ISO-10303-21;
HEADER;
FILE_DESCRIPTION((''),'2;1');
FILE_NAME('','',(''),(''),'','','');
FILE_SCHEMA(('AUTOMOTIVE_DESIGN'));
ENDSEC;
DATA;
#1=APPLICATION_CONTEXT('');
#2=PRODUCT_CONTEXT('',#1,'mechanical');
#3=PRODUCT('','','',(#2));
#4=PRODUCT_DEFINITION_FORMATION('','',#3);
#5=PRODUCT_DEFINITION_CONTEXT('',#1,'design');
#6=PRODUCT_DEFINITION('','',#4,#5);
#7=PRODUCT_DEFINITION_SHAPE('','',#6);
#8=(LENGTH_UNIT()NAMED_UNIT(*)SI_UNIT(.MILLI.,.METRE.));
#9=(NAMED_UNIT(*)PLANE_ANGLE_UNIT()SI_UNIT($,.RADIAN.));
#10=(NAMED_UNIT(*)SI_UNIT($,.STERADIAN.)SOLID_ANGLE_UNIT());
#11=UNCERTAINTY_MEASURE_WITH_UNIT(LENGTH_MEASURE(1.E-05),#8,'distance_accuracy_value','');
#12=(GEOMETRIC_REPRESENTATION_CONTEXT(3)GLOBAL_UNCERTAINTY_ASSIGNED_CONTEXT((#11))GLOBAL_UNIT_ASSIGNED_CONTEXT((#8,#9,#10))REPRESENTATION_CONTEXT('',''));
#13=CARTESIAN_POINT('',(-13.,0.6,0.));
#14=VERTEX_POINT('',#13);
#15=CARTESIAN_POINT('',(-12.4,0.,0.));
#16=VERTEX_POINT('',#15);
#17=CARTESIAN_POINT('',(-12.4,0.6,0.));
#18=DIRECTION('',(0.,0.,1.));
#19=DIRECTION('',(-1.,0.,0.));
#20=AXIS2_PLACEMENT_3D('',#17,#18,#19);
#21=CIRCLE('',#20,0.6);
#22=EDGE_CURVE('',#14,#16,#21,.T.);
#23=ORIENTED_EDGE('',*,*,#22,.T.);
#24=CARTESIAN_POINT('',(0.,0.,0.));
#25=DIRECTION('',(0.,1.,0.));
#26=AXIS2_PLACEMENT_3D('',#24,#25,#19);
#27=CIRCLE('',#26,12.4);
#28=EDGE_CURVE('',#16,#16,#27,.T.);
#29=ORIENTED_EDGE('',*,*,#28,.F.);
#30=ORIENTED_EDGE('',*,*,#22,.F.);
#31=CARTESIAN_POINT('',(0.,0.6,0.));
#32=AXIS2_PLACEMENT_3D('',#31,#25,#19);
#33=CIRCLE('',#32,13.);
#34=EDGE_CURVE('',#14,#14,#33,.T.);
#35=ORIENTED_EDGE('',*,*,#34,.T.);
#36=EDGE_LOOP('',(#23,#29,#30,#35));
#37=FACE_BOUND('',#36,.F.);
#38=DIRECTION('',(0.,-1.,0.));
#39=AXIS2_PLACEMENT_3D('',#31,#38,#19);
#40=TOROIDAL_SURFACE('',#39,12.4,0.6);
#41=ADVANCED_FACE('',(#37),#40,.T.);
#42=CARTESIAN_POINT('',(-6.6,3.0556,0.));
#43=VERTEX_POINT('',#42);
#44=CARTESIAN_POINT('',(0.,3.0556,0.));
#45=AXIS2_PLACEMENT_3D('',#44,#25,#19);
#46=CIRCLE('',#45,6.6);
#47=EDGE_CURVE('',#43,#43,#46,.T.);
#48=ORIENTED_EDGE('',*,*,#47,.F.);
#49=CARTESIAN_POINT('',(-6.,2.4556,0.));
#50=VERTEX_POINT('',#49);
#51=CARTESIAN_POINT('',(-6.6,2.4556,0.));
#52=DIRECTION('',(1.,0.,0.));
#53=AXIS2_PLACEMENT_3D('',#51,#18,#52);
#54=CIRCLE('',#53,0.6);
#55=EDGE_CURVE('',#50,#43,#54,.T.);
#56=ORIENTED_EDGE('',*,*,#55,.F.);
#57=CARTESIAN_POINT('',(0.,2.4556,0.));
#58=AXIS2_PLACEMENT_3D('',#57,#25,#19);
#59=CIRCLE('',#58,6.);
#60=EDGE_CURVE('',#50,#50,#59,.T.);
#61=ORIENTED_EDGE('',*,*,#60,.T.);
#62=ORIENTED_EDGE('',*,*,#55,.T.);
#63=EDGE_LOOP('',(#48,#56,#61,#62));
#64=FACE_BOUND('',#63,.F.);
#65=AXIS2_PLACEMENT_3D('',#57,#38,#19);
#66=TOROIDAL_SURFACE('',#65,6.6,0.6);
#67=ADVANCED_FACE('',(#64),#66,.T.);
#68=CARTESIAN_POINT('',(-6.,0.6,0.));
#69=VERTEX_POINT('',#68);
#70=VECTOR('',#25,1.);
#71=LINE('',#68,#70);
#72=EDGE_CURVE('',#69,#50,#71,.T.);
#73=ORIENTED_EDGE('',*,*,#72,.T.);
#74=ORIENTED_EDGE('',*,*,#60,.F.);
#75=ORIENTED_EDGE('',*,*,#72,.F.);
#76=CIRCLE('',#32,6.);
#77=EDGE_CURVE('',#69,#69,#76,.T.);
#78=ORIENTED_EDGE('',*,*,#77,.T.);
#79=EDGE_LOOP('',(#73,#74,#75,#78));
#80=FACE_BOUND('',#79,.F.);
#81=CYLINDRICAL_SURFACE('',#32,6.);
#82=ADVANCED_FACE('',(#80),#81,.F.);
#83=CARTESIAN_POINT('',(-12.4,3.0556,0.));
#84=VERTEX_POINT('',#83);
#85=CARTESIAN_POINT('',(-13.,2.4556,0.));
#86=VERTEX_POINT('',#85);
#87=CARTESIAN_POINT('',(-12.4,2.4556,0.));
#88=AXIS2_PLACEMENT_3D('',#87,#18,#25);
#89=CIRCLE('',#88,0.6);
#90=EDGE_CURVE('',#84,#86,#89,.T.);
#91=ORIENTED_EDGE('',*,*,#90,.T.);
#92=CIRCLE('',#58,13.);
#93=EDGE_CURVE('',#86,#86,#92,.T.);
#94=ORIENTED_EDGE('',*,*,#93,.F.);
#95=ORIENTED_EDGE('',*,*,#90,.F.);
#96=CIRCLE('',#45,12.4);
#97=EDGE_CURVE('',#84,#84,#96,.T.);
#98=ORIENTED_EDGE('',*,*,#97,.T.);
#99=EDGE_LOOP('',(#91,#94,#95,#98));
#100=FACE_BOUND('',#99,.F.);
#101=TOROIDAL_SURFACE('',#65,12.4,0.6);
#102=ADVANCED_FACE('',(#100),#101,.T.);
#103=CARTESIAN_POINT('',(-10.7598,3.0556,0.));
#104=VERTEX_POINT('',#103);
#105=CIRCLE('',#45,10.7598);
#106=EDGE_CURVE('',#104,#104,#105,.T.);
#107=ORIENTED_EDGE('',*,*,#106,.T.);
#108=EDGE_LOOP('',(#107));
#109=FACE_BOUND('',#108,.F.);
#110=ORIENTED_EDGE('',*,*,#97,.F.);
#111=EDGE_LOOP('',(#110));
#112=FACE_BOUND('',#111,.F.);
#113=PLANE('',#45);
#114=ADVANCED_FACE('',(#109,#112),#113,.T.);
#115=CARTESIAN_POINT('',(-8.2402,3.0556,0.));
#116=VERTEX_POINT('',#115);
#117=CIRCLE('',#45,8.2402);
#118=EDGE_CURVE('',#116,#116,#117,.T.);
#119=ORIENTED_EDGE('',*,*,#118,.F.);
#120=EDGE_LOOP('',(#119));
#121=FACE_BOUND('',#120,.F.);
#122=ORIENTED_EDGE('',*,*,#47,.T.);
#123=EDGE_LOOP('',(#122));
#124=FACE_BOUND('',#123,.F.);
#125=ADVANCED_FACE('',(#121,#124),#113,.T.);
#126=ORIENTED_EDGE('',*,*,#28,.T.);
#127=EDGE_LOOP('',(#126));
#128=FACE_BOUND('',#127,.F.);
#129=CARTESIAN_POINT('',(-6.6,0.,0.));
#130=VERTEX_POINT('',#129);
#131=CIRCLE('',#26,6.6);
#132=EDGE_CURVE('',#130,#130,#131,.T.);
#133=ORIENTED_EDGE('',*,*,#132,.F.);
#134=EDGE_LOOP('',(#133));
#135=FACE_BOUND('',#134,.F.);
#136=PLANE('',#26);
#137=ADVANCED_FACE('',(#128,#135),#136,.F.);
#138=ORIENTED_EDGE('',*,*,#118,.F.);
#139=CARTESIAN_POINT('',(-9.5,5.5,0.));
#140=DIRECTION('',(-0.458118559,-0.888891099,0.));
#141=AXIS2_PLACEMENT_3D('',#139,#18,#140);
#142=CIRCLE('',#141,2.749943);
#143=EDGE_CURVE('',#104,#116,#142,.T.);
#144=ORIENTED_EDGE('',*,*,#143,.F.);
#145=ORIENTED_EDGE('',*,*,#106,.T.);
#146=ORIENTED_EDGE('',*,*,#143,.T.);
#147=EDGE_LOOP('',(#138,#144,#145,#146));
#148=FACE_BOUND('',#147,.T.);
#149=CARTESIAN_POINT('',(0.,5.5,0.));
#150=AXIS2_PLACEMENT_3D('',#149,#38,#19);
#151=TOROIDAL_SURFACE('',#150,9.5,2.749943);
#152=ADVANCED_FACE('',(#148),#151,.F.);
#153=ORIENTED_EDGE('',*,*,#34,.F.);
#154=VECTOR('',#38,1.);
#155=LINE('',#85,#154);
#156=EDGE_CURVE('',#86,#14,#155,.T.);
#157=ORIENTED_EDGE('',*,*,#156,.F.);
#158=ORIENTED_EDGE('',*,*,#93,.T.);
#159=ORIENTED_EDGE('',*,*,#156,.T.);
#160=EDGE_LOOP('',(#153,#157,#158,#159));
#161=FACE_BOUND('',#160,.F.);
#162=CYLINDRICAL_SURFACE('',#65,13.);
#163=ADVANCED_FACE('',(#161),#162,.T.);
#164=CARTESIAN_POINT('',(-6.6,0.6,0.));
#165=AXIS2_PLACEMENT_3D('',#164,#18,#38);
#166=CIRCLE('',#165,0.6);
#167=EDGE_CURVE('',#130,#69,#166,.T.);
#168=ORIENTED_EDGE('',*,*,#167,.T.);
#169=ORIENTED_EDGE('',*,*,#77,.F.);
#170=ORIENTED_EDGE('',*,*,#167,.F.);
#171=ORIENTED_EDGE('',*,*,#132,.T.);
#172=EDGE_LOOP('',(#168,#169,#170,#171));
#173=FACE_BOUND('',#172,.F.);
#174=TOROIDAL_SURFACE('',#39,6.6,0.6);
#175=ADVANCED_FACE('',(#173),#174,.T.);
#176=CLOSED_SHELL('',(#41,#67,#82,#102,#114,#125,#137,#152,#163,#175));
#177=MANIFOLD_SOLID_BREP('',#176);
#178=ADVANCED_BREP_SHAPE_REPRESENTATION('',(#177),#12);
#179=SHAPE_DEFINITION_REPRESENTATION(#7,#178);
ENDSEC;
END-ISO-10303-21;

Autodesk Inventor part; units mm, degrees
sketch "Sketch_1" plane through (0, 0, 0) normal (0, 0, 1) x (0, 1, 0)
  line L0 (3.0556, 0) -> (0, 0)
  arc A0 (0, 6.6) -> (0.6, 6) centre (0.6, 6.6) ccw
  line L1 (0.6, 6) -> (2.4556, 6)
  arc A1 (2.4556, 6) -> (3.0556, 6.6) centre (2.4556, 6.6) ccw
  line L2 (3.0556, 6.6) -> (3.0556, 8.2402)
  arc A2 (3.0556, 10.7598) -> (3.0556, 8.2402) centre (5.5, 9.5) ccw
  line L3 (3.0556, 10.7598) -> (3.0556, 12.4)
  arc A3 (3.0556, 12.4) -> (2.4556, 13) centre (2.4556, 12.4) ccw
  line L4 (2.4556, 13) -> (0.6, 13)
  arc A4 (0.6, 13) -> (0, 12.4) centre (0.6, 12.4) ccw
  line L5 (0, 12.4) -> (0, 6.6)
revolve "Revolution1" add sketch "Sketch_1" angle 360 about axis through (0, 3.0556, 0) along (0, 1, 0)
ref_plane "HW_B_1_XY" through (-9.5, 5.5, 0) normal (0, 1, 0) x (0, 0, -1)
ref_plane "HW_B_1_YZ" through (-9.5, 5.5, 0) normal (0, 0, -1) x (-1, 0, 0)
ref_plane "HW_B_1_ZX" through (-9.5, 5.5, 0) normal (-1, 0, 0) x (0, 1, 0)
ref_plane "HW_B_10_XY" through (-7.6857, 5.5, -5.584) normal (0, 1, 0) x (0, 0, -1)
ref_plane "HW_B_10_YZ" through (-7.6857, 5.5, -5.584) normal (0, 0, -1) x (-1, 0, 0)
ref_plane "HW_B_10_ZX" through (-7.6857, 5.5, -5.584) normal (-1, 0, 0) x (0, 1, 0)
ref_plane "HW_B_2_XY" through (-7.6857, 5.5, 5.584) normal (0, 1, 0) x (0, 0, -1)
ref_plane "HW_B_2_YZ" through (-7.6857, 5.5, 5.584) normal (0, 0, -1) x (-1, 0, 0)
ref_plane "HW_B_2_ZX" through (-7.6857, 5.5, 5.584) normal (-1, 0, 0) x (0, 1, 0)
ref_plane "HW_B_3_XY" through (-2.9357, 5.5, 9.035) normal (0, 1, 0) x (0, 0, -1)
ref_plane "HW_B_3_YZ" through (-2.9357, 5.5, 9.035) normal (0, 0, -1) x (-1, 0, 0)
ref_plane "HW_B_3_ZX" through (-2.9357, 5.5, 9.035) normal (-1, 0, 0) x (0, 1, 0)
ref_plane "HW_B_4_XY" through (2.9357, 5.5, 9.035) normal (0, 1, 0) x (0, 0, -1)
ref_plane "HW_B_4_YZ" through (2.9357, 5.5, 9.035) normal (0, 0, -1) x (-1, 0, 0)
ref_plane "HW_B_4_ZX" through (2.9357, 5.5, 9.035) normal (-1, 0, 0) x (0, 1, 0)
ref_plane "HW_B_5_XY" through (7.6857, 5.5, 5.584) normal (0, 1, 0) x (0, 0, -1)
ref_plane "HW_B_5_YZ" through (7.6857, 5.5, 5.584) normal (0, 0, -1) x (-1, 0, 0)
ref_plane "HW_B_5_ZX" through (7.6857, 5.5, 5.584) normal (-1, 0, 0) x (0, 1, 0)
ref_plane "HW_B_6_XY" through (9.5, 5.5, 0) normal (0, 1, 0) x (0, 0, -1)
ref_plane "HW_B_6_YZ" through (9.5, 5.5, 0) normal (0, 0, -1) x (-1, 0, 0)
ref_plane "HW_B_6_ZX" through (9.5, 5.5, 0) normal (-1, 0, 0) x (0, 1, 0)
ref_plane "HW_B_7_XY" through (7.6857, 5.5, -5.584) normal (0, 1, 0) x (0, 0, -1)
ref_plane "HW_B_7_YZ" through (7.6857, 5.5, -5.584) normal (0, 0, -1) x (-1, 0, 0)
ref_plane "HW_B_7_ZX" through (7.6857, 5.5, -5.584) normal (-1, 0, 0) x (0, 1, 0)
ref_plane "HW_B_8_XY" through (2.9357, 5.5, -9.035) normal (0, 1, 0) x (0, 0, -1)
ref_plane "HW_B_8_YZ" through (2.9357, 5.5, -9.035) normal (0, 0, -1) x (-1, 0, 0)
ref_plane "HW_B_8_ZX" through (2.9357, 5.5, -9.035) normal (-1, 0, 0) x (0, 1, 0)
ref_plane "HW_B_9_XY" through (-2.9357, 5.5, -9.035) normal (0, 1, 0) x (0, 0, -1)
ref_plane "HW_B_9_YZ" through (-2.9357, 5.5, -9.035) normal (0, 0, -1) x (-1, 0, 0)
ref_plane "HW_B_9_ZX" through (-2.9357, 5.5, -9.035) normal (-1, 0, 0) x (0, 1, 0)
ref_plane "HW_SW_XY" through (0, 0, 0) normal (0, 1, 0) x (0, 0, -1)
ref_plane "HW_SW_YZ" through (0, 0, 0) normal (0, 0, -1) x (-1, 0, 0)
ref_plane "HW_SW_ZX" through (0, 0, 0) normal (-1, 0, 0) x (0, 1, 0)
properties part number "51200 Housing washer"
